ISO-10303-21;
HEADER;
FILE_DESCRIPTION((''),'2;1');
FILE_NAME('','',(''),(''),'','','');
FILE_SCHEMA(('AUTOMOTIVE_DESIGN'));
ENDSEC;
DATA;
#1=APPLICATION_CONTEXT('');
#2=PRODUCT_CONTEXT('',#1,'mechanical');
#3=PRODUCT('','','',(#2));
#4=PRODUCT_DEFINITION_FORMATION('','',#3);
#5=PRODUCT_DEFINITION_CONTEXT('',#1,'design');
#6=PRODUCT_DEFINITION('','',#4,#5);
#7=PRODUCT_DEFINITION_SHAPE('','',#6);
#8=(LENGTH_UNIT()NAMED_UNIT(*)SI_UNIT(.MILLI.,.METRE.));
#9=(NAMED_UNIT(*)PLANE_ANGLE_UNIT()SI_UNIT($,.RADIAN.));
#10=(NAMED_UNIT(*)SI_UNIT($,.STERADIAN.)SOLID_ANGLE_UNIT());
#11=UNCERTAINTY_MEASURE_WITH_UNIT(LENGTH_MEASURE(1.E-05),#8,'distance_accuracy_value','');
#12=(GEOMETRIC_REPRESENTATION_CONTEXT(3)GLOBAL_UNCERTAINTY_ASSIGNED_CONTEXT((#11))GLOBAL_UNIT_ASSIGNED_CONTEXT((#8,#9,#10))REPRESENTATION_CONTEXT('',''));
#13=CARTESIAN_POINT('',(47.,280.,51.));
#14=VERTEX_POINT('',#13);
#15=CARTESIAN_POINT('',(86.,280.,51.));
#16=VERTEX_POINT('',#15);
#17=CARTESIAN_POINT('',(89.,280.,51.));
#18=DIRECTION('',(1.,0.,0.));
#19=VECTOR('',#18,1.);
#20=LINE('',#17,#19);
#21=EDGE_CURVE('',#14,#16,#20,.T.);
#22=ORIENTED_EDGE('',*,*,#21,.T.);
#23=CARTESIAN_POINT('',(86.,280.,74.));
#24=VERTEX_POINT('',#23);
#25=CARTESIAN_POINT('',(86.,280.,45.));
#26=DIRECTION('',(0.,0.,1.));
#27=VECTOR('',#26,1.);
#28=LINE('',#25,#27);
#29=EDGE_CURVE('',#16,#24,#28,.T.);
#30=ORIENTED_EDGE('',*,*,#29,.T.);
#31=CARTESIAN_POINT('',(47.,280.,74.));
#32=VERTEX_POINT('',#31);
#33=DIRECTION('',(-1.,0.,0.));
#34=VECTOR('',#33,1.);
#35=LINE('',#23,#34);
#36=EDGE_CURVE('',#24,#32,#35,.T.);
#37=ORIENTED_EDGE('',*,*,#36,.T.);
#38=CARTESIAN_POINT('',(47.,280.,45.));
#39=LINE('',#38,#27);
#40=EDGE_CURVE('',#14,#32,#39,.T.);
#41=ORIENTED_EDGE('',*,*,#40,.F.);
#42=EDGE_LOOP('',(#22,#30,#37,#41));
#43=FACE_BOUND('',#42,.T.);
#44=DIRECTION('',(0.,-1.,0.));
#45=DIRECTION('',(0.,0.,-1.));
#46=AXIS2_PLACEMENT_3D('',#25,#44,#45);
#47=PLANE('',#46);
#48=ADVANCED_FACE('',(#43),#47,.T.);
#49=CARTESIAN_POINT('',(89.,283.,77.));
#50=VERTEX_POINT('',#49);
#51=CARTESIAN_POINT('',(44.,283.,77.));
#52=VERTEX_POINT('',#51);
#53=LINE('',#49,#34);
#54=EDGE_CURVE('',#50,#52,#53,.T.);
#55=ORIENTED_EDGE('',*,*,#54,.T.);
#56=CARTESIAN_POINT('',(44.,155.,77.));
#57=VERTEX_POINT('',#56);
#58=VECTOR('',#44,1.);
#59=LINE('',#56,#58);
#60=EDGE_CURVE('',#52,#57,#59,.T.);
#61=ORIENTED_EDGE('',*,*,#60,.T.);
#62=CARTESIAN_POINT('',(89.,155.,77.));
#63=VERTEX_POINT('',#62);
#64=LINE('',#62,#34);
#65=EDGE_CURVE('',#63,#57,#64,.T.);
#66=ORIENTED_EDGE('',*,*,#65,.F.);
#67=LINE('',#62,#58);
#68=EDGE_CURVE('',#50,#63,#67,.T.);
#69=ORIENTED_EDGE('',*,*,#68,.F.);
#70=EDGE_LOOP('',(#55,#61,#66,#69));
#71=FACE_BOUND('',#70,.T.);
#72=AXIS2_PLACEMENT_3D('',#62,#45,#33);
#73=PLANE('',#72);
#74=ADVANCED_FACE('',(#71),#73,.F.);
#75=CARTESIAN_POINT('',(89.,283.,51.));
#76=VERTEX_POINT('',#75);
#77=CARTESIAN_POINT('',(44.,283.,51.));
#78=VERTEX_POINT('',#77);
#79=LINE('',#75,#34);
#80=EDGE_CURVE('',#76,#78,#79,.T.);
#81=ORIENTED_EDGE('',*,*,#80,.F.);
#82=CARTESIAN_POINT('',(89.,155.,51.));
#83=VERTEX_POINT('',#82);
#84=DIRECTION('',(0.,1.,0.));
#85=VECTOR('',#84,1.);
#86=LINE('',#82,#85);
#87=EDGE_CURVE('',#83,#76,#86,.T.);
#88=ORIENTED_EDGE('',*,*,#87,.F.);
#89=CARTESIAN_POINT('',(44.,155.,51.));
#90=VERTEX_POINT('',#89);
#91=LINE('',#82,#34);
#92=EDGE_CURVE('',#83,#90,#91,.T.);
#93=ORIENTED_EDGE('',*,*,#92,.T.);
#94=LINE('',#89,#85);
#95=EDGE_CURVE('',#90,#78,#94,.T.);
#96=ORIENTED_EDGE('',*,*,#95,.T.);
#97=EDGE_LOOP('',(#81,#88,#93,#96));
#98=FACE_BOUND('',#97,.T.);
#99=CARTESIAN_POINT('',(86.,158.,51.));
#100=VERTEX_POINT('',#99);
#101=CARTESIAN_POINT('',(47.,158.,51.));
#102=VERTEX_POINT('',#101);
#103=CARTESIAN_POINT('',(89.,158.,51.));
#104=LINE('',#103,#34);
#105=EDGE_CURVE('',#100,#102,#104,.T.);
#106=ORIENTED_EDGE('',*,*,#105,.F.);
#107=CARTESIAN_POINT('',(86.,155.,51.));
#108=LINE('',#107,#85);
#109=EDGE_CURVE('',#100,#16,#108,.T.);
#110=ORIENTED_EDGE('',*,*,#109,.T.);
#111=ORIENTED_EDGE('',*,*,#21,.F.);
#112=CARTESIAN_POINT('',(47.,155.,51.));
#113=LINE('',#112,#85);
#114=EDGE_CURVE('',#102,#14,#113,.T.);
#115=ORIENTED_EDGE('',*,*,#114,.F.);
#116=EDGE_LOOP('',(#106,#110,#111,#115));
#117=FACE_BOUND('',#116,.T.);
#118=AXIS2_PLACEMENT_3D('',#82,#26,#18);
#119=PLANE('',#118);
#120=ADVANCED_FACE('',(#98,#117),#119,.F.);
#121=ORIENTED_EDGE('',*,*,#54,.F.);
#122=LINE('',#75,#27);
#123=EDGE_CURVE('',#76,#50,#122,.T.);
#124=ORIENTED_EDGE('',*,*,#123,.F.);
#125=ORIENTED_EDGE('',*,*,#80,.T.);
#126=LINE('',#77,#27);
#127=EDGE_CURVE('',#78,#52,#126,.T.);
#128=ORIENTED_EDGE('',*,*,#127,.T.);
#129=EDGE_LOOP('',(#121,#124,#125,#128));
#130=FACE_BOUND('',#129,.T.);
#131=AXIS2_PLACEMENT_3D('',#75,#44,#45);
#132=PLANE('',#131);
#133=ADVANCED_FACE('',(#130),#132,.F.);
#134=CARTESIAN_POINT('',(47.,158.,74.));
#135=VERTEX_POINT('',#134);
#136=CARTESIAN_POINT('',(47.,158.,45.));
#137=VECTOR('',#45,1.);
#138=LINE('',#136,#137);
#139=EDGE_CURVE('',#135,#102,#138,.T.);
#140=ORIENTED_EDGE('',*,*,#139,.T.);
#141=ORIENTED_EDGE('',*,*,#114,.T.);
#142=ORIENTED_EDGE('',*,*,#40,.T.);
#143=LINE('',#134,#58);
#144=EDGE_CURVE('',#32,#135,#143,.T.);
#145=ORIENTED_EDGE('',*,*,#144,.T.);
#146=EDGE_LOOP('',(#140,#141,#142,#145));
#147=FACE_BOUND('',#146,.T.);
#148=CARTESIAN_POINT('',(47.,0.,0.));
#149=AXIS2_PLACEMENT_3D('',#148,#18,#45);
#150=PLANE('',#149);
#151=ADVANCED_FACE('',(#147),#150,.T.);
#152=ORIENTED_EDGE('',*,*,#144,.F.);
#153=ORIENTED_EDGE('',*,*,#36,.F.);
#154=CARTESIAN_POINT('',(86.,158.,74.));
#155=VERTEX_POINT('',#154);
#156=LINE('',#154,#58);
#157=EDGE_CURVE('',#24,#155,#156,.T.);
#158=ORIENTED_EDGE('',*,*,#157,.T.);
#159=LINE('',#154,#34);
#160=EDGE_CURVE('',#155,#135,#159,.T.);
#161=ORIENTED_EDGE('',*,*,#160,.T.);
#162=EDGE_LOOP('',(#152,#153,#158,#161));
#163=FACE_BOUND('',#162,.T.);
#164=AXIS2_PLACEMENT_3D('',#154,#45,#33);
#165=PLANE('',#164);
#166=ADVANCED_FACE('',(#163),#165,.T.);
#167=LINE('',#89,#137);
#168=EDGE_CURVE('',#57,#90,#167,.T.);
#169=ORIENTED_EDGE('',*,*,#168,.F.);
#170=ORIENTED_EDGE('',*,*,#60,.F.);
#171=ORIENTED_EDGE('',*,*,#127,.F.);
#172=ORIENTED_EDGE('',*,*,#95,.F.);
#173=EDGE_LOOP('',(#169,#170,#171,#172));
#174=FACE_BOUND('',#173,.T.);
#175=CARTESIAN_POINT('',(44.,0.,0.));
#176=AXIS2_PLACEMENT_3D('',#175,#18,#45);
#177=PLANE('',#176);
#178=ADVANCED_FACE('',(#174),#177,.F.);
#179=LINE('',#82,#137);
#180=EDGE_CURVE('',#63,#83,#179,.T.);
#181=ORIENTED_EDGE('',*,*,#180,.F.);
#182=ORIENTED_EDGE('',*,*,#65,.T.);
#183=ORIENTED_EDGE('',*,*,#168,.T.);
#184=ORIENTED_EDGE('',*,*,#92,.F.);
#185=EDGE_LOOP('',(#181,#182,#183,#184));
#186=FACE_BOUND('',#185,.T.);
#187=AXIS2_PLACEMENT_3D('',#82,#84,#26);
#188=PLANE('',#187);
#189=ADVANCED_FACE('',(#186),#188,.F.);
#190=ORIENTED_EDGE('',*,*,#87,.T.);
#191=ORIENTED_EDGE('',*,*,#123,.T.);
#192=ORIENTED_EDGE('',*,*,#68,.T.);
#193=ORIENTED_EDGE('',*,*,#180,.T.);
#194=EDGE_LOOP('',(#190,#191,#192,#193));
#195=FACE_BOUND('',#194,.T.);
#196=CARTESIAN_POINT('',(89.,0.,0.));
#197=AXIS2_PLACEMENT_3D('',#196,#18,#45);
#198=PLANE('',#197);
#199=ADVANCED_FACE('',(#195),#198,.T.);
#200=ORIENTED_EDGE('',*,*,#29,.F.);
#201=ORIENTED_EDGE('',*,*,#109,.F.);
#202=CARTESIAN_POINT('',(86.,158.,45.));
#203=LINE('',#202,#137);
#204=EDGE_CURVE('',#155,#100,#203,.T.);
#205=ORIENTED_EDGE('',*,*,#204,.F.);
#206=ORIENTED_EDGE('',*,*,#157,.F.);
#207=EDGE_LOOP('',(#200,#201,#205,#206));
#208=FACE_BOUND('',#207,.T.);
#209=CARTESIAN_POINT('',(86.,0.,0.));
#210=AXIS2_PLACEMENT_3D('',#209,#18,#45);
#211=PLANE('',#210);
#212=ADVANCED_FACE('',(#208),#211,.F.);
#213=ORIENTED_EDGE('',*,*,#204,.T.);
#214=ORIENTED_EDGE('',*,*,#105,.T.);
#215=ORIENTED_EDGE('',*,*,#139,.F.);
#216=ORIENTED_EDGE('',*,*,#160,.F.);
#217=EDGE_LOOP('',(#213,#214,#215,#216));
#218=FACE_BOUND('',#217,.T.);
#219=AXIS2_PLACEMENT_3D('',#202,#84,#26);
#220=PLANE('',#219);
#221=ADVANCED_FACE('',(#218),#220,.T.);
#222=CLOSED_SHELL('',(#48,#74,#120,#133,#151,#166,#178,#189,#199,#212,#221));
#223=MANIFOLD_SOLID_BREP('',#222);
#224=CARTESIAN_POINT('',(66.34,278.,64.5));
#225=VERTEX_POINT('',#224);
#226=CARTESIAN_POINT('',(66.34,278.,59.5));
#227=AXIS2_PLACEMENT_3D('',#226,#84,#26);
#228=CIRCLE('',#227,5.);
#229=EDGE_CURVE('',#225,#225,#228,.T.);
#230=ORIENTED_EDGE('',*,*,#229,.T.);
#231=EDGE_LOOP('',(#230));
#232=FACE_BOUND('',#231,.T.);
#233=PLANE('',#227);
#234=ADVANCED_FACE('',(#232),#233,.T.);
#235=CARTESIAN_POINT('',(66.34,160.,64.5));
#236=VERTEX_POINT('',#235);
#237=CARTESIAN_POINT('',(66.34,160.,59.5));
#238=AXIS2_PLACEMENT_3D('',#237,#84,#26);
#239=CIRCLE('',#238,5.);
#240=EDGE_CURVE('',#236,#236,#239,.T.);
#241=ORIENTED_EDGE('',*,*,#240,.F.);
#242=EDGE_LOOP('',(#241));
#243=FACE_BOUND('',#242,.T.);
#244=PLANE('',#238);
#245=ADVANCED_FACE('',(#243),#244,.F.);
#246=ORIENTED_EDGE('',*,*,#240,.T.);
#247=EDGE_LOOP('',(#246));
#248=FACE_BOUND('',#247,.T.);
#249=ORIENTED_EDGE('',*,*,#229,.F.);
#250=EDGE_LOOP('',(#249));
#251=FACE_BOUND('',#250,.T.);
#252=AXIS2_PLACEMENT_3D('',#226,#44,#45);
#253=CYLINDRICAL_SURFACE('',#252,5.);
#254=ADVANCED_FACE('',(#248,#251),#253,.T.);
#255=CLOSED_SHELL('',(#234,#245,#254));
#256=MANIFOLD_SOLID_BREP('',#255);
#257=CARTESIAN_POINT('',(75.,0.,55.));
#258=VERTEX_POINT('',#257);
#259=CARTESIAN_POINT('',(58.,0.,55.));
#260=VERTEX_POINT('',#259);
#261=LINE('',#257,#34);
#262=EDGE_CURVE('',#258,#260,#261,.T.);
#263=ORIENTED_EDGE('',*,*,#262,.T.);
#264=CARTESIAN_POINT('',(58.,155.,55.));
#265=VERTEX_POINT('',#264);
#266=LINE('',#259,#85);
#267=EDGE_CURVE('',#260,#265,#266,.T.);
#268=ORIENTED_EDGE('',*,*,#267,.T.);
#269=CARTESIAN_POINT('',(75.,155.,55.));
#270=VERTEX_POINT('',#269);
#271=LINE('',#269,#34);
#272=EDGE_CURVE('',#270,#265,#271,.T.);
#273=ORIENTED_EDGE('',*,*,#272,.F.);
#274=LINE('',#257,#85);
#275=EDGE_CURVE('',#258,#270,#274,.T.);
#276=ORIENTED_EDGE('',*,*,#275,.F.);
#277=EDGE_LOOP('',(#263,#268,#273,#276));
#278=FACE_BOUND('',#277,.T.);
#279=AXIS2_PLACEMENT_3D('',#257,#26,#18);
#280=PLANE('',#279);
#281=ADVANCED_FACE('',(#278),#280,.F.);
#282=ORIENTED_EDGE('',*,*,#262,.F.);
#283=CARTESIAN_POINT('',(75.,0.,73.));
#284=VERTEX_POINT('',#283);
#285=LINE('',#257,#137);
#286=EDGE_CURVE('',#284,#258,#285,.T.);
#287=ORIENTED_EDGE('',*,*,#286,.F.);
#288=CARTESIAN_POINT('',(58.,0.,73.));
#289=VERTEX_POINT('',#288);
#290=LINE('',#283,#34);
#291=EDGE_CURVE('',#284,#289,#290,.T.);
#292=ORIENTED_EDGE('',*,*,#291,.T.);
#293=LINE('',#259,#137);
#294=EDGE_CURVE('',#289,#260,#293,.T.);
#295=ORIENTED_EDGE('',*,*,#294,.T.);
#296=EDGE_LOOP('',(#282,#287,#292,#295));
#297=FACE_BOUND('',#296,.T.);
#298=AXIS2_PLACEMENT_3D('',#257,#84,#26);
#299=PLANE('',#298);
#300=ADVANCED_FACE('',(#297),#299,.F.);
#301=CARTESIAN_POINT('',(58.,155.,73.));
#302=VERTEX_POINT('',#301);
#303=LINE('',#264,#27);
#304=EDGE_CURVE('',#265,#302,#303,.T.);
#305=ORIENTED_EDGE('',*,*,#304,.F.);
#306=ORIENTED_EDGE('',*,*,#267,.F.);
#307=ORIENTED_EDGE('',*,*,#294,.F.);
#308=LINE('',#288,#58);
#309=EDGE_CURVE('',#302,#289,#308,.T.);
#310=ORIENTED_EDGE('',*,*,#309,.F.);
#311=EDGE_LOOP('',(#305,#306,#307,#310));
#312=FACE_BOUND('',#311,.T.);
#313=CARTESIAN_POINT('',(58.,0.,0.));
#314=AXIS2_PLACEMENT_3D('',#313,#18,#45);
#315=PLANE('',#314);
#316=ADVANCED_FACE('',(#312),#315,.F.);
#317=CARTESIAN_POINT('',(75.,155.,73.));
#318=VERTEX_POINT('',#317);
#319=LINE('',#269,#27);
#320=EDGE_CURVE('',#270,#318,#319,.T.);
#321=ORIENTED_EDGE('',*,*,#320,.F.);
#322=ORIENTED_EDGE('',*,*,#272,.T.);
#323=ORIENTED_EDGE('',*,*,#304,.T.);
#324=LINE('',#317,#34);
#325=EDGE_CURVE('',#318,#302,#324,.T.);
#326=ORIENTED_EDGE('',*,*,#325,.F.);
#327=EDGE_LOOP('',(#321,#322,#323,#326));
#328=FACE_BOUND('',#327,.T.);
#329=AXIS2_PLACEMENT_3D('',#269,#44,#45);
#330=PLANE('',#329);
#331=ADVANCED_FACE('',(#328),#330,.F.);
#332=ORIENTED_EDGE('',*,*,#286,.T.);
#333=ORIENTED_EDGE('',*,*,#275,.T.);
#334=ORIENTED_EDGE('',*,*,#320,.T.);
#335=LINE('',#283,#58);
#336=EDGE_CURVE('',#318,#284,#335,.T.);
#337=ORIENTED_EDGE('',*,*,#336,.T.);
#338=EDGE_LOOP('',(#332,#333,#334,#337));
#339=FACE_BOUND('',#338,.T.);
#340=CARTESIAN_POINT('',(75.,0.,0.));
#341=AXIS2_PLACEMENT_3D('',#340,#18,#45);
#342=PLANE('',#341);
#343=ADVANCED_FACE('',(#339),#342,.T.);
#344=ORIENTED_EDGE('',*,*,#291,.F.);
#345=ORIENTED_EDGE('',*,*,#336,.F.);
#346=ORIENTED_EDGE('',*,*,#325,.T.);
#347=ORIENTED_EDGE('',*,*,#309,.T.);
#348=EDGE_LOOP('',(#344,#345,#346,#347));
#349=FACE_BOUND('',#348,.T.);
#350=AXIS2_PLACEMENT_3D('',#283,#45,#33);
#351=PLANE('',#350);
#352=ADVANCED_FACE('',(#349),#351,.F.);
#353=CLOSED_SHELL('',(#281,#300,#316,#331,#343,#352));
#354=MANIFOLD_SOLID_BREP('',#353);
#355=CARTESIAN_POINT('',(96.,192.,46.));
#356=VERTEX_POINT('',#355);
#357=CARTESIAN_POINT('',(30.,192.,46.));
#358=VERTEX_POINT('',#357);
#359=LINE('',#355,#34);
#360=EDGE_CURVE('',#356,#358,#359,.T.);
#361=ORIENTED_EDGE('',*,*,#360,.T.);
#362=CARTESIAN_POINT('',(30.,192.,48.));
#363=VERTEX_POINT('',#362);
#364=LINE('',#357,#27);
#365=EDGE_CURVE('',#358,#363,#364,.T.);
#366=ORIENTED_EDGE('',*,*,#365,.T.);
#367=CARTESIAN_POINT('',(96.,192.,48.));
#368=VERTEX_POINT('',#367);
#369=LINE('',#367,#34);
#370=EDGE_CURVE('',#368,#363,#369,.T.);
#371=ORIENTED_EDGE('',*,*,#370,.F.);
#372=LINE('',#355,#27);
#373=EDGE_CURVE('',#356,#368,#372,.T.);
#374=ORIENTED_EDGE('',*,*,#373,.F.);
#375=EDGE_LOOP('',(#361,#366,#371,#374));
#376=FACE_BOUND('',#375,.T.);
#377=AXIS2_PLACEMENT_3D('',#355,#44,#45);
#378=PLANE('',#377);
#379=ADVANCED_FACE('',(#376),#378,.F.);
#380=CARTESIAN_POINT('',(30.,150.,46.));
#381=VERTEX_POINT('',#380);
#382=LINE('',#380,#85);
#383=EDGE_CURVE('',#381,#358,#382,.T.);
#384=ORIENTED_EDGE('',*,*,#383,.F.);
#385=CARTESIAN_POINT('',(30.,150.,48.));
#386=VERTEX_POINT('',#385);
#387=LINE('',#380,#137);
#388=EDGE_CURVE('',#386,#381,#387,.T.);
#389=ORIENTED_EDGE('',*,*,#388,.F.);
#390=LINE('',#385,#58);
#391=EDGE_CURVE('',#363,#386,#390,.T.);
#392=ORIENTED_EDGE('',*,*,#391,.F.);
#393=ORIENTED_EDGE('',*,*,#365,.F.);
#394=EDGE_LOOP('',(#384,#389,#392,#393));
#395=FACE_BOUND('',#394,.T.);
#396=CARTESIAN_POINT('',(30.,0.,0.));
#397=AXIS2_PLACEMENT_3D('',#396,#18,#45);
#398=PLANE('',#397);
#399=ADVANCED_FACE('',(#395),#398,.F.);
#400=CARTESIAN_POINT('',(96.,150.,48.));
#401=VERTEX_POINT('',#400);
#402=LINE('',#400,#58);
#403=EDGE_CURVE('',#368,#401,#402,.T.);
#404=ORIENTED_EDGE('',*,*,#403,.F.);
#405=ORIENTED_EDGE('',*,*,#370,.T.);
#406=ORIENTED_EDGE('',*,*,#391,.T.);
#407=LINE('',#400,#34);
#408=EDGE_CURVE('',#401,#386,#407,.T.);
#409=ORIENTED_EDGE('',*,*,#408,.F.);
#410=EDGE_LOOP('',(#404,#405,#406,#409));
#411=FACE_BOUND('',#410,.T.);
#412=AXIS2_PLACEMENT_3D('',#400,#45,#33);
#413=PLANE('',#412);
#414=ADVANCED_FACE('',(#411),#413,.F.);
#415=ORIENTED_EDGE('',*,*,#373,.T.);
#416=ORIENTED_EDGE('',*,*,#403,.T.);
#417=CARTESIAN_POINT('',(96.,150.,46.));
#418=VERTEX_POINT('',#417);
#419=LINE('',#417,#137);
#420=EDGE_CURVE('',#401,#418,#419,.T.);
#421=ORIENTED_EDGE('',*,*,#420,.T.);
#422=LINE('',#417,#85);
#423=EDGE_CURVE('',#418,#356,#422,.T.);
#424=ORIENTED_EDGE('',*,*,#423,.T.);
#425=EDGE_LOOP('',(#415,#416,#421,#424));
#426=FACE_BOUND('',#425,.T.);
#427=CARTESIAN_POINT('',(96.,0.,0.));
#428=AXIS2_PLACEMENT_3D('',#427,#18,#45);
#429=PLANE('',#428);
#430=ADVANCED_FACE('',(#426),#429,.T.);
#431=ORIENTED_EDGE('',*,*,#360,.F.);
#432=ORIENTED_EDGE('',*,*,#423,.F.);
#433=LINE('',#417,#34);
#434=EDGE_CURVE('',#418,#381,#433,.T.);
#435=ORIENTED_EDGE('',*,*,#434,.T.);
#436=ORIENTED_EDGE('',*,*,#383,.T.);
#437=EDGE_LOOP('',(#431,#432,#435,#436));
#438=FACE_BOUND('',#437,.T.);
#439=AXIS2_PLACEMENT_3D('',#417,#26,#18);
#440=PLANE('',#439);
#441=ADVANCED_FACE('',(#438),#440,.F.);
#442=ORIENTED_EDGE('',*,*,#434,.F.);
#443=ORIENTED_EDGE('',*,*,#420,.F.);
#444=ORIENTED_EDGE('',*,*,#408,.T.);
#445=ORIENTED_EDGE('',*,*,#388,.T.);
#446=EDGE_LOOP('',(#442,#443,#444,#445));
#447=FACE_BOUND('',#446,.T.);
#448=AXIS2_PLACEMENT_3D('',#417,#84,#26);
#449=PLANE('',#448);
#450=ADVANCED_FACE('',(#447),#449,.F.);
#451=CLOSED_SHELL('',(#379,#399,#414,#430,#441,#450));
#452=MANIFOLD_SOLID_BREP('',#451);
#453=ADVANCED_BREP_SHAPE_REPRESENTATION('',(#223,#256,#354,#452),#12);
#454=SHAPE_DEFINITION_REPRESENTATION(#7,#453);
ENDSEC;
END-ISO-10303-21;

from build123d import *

# Parameters (mm, degrees)
REFLECTOR_START     = 44
SKETCH1_W           = 26
SKETCH1_H           = 128
REFLECTOR_DEPTH     = 45
CAVITY_START        = 47
SKETCH2_W           = 29
SKETCH2_H           = 122
CAVITY_DEPTH        = 39
R7S_LAMP_START      = 160
SKETCH3_R           = 5
R7S_LAMP_DEPTH      = 118
HEATER_COLUMN_START = 58
SKETCH4_W           = 18
SKETCH4_H           = 155
HEATER_COLUMN_DEPTH = 17
HEAT_SHIELD_START   = 30
SKETCH5_W           = 2
SKETCH5_H           = 42
HEAT_SHIELD_DEPTH   = 66


with BuildPart() as part:
    # Sketch1 → reflector (new body)
    with BuildSketch(Plane(origin=(0, 0, 0), x_dir=(0, 0, -1), z_dir=(1, 0, 0)).offset(REFLECTOR_START)):
        with Locations((-64, 219)):
            Rectangle(SKETCH1_W, SKETCH1_H)
    extrude(amount=REFLECTOR_DEPTH)


with BuildPart() as body_2:
    # Sketch2 → cavity (new body)
    with BuildSketch(Plane(origin=(0, 0, 0), x_dir=(0, 0, -1), z_dir=(1, 0, 0)).offset(CAVITY_START)):
        with Locations((-59.5, 219)):
            Rectangle(SKETCH2_W, SKETCH2_H)
    extrude(amount=CAVITY_DEPTH)


with BuildPart() as part_1:
    add(part.part)

    # Combine1: cut body 2
    add(body_2.part, mode=Mode.SUBTRACT)


with BuildPart() as body_2_2:
    # Sketch3 → r7s_lamp (new body)
    with BuildSketch(Plane(origin=(0, 0, 0), x_dir=(1, 0, 0), z_dir=(0, 1, 0)).offset(R7S_LAMP_START)):
        with Locations((66.34, -59.5)):
            Circle(SKETCH3_R)
    extrude(amount=R7S_LAMP_DEPTH)


with BuildPart() as body_3:
    # Sketch4 → heater_column (new body)
    with BuildSketch(Plane(origin=(0, 0, 0), x_dir=(0, 0, -1), z_dir=(1, 0, 0)).offset(HEATER_COLUMN_START)):
        with Locations((-64, 77.5)):
            Rectangle(SKETCH4_W, SKETCH4_H)
    extrude(amount=HEATER_COLUMN_DEPTH)


with BuildPart() as body_4:
    # Sketch5 → heat_shield (new body)
    with BuildSketch(Plane(origin=(0, 0, 0), x_dir=(0, 0, -1), z_dir=(1, 0, 0)).offset(HEAT_SHIELD_START)):
        with Locations((-47, 171)):
            Rectangle(SKETCH5_W, SKETCH5_H)
    extrude(amount=HEAT_SHIELD_DEPTH)


solid = Compound([part_1.part, body_2_2.part, body_3.part, body_4.part])
